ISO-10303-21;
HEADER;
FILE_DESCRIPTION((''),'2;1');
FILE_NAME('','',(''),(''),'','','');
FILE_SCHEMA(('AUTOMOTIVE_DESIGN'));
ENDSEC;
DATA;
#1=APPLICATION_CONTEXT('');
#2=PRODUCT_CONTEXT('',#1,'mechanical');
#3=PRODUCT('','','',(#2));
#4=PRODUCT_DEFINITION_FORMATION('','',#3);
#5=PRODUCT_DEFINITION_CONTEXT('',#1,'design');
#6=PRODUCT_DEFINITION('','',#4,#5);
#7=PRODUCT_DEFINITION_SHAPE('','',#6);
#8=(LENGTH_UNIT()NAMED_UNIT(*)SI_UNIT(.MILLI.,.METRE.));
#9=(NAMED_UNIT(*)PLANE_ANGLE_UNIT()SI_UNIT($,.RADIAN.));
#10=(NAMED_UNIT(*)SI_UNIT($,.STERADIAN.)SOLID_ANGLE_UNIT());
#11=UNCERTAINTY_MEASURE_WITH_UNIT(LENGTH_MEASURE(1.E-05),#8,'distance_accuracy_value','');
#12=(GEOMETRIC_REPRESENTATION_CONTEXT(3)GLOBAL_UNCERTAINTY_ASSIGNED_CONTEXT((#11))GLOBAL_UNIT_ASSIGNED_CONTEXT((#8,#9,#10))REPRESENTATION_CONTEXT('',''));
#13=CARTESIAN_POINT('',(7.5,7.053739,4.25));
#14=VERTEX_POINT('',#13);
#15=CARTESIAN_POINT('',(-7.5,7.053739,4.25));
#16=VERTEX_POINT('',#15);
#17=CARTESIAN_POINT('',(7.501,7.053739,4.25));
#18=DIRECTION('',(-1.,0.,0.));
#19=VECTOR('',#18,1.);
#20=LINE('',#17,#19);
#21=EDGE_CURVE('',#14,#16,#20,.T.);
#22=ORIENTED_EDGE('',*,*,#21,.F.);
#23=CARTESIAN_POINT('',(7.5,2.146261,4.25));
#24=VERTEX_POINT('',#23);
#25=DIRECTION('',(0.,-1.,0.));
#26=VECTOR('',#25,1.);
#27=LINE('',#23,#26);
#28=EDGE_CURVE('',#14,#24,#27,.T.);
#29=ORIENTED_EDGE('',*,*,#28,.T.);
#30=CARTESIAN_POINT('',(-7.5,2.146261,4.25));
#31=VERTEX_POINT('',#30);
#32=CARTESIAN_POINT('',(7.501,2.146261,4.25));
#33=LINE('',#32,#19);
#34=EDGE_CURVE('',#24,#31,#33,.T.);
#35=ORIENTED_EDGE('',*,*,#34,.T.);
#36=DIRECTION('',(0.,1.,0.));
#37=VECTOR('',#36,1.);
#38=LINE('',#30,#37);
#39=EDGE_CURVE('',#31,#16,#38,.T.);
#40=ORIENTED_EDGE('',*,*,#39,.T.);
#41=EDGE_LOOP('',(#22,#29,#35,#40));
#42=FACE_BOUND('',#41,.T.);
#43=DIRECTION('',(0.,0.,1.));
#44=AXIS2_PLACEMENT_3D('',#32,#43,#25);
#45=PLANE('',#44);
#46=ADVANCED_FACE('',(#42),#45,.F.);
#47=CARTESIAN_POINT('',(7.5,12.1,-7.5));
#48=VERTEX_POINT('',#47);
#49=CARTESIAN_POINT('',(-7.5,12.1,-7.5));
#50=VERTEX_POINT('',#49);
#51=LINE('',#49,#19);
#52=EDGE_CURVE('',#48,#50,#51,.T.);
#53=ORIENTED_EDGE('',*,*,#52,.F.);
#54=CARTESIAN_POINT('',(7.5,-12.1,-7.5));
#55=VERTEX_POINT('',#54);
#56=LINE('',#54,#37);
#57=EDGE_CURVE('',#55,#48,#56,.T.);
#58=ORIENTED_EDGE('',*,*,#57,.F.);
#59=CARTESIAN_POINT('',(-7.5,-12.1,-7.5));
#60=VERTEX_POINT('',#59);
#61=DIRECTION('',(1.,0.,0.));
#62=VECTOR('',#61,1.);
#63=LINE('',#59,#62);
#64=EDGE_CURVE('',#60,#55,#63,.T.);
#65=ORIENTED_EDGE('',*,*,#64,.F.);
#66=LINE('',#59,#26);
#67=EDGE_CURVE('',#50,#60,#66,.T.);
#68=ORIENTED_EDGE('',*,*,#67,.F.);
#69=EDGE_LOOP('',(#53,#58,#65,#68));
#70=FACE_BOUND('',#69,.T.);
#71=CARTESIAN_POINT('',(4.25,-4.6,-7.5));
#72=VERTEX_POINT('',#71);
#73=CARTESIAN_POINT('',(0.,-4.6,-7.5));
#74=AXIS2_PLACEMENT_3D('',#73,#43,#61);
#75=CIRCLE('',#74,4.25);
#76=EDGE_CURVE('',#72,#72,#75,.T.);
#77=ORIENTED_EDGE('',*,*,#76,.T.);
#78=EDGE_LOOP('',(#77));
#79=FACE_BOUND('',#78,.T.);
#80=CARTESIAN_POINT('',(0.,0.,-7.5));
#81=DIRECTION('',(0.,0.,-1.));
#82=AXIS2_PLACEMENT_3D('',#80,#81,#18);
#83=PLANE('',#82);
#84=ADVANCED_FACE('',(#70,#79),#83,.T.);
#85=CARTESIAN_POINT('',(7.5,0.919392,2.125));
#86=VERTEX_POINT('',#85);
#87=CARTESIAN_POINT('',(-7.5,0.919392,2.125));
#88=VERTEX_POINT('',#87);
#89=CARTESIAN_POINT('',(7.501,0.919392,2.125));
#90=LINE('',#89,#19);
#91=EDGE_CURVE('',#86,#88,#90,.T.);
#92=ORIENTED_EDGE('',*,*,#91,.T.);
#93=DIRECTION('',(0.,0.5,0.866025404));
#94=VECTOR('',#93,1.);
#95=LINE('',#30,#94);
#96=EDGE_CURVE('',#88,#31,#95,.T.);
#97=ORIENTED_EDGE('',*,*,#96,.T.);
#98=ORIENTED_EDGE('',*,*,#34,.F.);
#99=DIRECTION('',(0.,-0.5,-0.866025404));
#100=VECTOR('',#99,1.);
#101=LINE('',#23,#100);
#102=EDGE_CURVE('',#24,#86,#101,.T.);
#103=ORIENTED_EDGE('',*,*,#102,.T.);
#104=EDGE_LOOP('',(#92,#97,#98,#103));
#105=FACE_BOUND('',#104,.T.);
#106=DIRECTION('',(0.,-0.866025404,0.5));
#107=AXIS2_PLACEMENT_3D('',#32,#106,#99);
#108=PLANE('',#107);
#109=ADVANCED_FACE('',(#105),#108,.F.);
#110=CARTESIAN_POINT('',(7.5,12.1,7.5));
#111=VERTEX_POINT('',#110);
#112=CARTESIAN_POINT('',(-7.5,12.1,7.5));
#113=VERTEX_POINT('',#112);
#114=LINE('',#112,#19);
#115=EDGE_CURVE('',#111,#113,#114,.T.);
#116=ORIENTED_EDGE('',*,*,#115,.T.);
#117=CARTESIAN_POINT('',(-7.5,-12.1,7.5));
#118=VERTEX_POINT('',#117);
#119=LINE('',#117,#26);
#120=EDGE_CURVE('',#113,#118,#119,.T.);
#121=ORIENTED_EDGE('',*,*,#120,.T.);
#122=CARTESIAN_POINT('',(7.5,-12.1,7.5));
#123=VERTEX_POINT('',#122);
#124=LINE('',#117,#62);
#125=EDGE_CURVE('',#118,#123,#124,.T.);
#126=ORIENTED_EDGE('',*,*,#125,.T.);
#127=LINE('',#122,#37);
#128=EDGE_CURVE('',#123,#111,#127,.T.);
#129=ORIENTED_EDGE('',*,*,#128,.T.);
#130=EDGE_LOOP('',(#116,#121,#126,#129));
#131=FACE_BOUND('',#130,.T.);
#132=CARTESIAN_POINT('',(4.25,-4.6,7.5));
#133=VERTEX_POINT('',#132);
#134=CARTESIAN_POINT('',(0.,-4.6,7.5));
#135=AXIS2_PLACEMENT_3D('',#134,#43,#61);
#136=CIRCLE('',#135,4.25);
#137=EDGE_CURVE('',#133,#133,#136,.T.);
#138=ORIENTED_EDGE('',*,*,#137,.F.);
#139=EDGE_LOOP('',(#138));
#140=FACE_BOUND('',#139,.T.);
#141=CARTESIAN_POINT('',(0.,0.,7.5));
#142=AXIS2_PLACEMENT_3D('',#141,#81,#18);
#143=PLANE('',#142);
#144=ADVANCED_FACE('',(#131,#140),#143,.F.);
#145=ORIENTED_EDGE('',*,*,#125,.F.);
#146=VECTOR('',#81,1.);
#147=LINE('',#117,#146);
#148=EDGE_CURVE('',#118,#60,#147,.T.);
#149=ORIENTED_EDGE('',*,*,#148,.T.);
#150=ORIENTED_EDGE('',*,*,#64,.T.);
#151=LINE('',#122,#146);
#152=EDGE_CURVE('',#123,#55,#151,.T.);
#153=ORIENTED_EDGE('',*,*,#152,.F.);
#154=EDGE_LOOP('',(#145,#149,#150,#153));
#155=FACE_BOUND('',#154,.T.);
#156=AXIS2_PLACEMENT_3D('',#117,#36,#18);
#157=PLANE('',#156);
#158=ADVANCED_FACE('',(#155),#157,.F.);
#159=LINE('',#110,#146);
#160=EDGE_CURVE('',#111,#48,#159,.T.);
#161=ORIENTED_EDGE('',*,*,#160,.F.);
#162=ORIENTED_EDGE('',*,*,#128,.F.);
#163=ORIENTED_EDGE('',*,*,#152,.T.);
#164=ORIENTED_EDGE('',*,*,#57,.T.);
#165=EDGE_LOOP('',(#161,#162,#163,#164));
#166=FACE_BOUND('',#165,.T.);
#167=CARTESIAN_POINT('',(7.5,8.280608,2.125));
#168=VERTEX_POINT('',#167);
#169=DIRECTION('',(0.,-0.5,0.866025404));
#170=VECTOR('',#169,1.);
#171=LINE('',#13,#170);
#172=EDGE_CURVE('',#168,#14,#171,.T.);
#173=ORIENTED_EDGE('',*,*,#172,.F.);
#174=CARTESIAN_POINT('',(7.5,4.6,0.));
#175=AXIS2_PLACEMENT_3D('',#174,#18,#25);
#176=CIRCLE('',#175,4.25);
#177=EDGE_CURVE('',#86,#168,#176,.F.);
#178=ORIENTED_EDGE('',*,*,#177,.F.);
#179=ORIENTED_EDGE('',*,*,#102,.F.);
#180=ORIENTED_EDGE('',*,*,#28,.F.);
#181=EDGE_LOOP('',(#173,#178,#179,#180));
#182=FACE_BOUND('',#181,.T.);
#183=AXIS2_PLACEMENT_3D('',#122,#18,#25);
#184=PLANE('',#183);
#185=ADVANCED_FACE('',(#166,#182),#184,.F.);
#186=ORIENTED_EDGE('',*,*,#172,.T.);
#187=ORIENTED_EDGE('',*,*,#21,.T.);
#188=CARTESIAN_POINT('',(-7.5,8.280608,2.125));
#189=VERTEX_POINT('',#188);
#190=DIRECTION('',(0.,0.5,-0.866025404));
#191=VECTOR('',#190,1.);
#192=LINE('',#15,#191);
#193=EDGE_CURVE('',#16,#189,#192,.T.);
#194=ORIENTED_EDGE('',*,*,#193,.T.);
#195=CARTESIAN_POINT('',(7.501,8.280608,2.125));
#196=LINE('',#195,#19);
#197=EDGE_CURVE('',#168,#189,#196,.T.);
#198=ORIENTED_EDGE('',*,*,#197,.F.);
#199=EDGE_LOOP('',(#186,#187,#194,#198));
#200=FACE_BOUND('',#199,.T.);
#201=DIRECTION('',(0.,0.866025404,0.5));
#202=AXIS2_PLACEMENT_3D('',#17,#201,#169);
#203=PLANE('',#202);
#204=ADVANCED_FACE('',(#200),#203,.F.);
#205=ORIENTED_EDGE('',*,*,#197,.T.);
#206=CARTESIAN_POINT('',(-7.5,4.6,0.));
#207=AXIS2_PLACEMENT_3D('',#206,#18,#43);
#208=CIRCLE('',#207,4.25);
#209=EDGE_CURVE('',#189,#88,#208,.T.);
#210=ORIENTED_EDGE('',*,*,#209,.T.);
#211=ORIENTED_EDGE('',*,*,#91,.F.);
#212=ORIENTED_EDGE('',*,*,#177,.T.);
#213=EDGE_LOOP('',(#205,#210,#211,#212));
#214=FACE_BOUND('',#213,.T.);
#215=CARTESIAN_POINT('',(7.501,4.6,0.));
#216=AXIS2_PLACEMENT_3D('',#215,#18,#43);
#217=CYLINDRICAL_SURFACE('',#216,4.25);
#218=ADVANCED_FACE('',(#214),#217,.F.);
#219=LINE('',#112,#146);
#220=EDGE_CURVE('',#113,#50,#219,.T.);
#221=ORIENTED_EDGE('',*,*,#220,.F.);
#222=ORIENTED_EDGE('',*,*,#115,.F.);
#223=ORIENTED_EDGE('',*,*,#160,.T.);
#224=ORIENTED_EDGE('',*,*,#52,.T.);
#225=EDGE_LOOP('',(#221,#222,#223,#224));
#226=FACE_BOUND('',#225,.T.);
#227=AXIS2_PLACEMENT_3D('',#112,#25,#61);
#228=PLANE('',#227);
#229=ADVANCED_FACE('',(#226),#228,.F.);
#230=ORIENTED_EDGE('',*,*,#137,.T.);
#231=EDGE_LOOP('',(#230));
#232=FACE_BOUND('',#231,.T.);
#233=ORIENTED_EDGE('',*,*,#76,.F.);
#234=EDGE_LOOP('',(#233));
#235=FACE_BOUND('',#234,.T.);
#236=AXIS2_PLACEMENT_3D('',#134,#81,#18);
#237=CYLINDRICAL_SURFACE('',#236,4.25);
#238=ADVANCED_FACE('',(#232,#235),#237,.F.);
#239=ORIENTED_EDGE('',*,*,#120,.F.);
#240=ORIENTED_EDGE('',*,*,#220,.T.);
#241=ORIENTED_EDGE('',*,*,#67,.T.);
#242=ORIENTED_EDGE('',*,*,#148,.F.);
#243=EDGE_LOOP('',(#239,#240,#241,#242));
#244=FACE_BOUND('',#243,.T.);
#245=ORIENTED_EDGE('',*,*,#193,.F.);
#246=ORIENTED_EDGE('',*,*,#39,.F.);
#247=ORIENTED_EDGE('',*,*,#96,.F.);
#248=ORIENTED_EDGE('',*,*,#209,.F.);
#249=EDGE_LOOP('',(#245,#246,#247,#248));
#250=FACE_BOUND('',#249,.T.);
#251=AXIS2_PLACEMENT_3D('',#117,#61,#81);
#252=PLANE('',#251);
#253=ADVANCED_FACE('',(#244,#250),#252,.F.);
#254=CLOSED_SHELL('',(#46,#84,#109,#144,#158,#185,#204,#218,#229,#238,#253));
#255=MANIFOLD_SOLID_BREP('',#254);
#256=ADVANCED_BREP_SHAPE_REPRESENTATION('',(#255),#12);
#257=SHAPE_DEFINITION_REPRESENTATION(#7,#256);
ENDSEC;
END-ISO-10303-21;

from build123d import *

# Parameters (mm, degrees)
SCHIZZO1_W                   = 15
SCHIZZO1_H                   = 24.2
SCHIZZO1_R                   = 4.25
ESTRUSIONE_ESTRUSIONE1_DEPTH = 7.5
TAGLIO_ESTRUSIONE1_REACH     = 22.68


with BuildPart() as part:
    # Schizzo1 → Estrusione-Estrusione1 (new, symmetric)
    with BuildSketch(Plane.XY):
        Rectangle(SCHIZZO1_W, SCHIZZO1_H)
        with Locations((0, -4.6)):
            Circle(SCHIZZO1_R, mode=Mode.SUBTRACT)
    extrude(amount=ESTRUSIONE_ESTRUSIONE1_DEPTH, both=True)

    # Schizzo2 → Taglio-Estrusione1 (cut, up to next)
    with BuildSketch(Plane.ZY.offset(7.5), mode=Mode.PRIVATE) as taglio_estrusione1_sk1:
        with BuildLine():
            Line((4.25, 2.146261356), (4.25, 7.053738644))
            Line((4.25, 7.053738644), (2.125, 8.280607966))
            ThreePointArc((2.125, 8.280607966), (-4.25, 4.6), (2.125, 0.919392034))
            Line((2.125, 0.919392034), (4.25, 2.146261356))
        make_face()
    taglio_estrusione1_tool1 = extrude(taglio_estrusione1_sk1.sketch, amount=-TAGLIO_ESTRUSIONE1_REACH, mode=Mode.PRIVATE) & part.part
    add(taglio_estrusione1_tool1.solids().sort_by_distance((-7.5, 4.6, 0.125868))[0], mode=Mode.SUBTRACT)


solid = part.part
